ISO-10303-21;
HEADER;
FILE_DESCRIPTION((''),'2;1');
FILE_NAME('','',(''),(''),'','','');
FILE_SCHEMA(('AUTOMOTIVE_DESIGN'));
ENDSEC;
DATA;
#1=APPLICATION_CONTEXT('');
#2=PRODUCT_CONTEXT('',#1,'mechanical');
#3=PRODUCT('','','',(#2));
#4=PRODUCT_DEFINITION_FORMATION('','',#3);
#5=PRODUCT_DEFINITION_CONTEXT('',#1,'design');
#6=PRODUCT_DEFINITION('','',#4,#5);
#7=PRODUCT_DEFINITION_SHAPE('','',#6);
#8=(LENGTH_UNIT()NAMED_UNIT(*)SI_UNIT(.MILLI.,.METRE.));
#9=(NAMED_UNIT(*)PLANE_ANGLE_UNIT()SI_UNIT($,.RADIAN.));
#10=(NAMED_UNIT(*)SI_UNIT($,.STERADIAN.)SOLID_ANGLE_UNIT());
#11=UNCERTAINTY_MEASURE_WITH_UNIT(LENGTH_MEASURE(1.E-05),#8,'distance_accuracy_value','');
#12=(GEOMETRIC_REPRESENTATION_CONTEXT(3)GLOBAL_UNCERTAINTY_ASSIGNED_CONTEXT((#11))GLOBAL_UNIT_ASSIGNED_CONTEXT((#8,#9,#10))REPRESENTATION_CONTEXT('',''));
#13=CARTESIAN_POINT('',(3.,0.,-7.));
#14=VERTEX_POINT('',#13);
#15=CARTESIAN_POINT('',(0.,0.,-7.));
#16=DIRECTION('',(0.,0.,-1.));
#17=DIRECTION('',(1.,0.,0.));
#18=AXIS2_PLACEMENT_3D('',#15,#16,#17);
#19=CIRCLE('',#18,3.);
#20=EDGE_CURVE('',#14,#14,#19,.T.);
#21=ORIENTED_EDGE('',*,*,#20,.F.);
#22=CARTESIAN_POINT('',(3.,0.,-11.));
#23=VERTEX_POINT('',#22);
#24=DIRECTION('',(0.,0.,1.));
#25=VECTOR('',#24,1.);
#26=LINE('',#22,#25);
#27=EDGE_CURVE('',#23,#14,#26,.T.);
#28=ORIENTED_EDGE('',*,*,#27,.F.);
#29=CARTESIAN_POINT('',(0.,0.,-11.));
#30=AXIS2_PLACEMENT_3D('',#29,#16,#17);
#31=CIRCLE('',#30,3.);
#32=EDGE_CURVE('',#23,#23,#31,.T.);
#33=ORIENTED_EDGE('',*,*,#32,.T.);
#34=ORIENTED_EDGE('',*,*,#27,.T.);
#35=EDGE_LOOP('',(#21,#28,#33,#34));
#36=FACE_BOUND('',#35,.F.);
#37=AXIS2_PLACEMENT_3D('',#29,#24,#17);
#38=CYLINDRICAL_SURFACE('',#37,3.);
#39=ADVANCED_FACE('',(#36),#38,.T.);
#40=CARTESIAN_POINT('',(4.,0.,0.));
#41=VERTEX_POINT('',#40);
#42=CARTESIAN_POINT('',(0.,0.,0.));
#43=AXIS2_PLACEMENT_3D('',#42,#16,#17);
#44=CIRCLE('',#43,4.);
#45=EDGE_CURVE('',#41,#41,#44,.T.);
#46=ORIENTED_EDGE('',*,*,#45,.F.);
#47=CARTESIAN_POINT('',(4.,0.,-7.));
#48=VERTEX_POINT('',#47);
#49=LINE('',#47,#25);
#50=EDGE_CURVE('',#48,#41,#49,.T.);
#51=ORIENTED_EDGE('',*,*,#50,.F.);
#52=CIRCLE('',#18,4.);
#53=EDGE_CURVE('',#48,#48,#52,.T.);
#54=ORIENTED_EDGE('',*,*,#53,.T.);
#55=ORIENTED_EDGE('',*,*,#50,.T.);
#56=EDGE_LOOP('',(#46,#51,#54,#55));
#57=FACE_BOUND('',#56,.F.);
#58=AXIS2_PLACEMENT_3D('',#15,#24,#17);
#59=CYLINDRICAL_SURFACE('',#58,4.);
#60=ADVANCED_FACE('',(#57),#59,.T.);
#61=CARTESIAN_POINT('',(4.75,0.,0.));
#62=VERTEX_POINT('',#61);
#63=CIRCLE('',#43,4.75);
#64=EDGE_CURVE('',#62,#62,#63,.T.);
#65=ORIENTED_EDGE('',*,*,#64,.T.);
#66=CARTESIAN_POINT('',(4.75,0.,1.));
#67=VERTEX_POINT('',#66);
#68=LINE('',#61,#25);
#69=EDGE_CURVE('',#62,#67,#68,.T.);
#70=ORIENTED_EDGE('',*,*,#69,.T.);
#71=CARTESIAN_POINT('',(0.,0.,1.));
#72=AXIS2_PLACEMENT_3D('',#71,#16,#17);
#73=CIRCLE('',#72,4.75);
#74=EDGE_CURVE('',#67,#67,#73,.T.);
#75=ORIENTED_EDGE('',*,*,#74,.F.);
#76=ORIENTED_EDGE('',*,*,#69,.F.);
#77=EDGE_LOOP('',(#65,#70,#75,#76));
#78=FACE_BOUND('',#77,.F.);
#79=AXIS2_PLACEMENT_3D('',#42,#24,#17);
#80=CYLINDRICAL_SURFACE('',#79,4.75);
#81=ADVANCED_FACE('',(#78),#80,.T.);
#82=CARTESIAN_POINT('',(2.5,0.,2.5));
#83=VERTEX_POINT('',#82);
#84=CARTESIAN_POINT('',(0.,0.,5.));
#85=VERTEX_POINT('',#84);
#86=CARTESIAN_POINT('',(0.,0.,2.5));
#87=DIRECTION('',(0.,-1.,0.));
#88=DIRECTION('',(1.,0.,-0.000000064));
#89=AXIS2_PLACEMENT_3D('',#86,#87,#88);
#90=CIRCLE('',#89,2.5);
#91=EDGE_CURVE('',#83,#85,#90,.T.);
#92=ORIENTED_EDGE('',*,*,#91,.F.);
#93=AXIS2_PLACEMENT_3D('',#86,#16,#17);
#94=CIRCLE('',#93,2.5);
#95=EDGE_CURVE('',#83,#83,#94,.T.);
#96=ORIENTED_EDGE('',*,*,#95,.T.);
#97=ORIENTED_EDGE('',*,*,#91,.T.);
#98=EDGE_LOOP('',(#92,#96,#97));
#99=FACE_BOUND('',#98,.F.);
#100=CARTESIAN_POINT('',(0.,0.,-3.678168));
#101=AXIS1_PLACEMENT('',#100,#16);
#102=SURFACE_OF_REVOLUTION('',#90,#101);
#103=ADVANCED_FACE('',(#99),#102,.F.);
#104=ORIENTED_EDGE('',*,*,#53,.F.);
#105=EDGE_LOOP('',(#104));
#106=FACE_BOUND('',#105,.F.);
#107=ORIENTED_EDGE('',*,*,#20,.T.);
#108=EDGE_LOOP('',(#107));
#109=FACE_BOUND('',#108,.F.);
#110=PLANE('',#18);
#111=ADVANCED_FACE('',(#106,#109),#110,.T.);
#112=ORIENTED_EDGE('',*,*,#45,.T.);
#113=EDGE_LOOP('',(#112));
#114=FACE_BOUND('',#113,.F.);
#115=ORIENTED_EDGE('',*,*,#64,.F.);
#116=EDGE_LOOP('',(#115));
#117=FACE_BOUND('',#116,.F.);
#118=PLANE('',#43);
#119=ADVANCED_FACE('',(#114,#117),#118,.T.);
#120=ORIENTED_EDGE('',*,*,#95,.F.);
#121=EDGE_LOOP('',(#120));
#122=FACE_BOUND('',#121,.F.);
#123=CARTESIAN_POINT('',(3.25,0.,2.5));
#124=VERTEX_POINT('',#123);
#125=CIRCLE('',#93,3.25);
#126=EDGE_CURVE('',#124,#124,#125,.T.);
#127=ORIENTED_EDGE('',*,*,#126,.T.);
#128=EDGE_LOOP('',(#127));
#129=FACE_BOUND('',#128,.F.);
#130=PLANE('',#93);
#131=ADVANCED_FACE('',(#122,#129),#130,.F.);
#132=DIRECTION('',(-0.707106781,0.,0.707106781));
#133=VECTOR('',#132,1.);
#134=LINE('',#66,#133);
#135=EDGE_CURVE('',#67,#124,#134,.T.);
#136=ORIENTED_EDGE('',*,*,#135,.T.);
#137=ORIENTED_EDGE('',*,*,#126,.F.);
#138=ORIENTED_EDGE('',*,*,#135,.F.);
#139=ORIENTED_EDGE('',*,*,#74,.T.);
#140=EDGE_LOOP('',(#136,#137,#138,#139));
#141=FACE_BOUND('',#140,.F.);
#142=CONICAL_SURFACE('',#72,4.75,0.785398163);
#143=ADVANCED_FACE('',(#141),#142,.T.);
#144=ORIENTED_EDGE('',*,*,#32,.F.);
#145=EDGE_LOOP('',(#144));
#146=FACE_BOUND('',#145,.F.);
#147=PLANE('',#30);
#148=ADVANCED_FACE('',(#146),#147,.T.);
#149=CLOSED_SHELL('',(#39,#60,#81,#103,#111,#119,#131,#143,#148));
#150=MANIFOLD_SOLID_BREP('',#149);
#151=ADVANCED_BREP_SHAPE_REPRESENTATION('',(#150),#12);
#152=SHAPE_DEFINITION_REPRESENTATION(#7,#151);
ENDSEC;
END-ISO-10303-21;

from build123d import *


with BuildPart() as f1:
    # F0 (on Front) → F1 (revolve)
    with BuildSketch(Plane.XZ):
        with BuildLine():
            Line((3.25, 2.5), (2.5, 2.5))
            ThreePointArc((2.5, 2.5), (1.767767, 4.267767), (0, 5))
            Line((0, 5), (0, -7))
            Line((0, -7), (0, -11))
            Line((0, -11), (3, -11))
            Line((3, -11), (3, -7))
            Line((3, -7), (4, -7))
            Line((4, -7), (4, 0))
            Line((4, 0), (4.75, 0))
            Line((4.75, 0), (4.75, 1))
            Line((4.75, 1), (3.25, 2.5))
        make_face()
    revolve(axis=Axis((0, 0, -3.678168), (0, 0, -1)))


solid = f1.part
